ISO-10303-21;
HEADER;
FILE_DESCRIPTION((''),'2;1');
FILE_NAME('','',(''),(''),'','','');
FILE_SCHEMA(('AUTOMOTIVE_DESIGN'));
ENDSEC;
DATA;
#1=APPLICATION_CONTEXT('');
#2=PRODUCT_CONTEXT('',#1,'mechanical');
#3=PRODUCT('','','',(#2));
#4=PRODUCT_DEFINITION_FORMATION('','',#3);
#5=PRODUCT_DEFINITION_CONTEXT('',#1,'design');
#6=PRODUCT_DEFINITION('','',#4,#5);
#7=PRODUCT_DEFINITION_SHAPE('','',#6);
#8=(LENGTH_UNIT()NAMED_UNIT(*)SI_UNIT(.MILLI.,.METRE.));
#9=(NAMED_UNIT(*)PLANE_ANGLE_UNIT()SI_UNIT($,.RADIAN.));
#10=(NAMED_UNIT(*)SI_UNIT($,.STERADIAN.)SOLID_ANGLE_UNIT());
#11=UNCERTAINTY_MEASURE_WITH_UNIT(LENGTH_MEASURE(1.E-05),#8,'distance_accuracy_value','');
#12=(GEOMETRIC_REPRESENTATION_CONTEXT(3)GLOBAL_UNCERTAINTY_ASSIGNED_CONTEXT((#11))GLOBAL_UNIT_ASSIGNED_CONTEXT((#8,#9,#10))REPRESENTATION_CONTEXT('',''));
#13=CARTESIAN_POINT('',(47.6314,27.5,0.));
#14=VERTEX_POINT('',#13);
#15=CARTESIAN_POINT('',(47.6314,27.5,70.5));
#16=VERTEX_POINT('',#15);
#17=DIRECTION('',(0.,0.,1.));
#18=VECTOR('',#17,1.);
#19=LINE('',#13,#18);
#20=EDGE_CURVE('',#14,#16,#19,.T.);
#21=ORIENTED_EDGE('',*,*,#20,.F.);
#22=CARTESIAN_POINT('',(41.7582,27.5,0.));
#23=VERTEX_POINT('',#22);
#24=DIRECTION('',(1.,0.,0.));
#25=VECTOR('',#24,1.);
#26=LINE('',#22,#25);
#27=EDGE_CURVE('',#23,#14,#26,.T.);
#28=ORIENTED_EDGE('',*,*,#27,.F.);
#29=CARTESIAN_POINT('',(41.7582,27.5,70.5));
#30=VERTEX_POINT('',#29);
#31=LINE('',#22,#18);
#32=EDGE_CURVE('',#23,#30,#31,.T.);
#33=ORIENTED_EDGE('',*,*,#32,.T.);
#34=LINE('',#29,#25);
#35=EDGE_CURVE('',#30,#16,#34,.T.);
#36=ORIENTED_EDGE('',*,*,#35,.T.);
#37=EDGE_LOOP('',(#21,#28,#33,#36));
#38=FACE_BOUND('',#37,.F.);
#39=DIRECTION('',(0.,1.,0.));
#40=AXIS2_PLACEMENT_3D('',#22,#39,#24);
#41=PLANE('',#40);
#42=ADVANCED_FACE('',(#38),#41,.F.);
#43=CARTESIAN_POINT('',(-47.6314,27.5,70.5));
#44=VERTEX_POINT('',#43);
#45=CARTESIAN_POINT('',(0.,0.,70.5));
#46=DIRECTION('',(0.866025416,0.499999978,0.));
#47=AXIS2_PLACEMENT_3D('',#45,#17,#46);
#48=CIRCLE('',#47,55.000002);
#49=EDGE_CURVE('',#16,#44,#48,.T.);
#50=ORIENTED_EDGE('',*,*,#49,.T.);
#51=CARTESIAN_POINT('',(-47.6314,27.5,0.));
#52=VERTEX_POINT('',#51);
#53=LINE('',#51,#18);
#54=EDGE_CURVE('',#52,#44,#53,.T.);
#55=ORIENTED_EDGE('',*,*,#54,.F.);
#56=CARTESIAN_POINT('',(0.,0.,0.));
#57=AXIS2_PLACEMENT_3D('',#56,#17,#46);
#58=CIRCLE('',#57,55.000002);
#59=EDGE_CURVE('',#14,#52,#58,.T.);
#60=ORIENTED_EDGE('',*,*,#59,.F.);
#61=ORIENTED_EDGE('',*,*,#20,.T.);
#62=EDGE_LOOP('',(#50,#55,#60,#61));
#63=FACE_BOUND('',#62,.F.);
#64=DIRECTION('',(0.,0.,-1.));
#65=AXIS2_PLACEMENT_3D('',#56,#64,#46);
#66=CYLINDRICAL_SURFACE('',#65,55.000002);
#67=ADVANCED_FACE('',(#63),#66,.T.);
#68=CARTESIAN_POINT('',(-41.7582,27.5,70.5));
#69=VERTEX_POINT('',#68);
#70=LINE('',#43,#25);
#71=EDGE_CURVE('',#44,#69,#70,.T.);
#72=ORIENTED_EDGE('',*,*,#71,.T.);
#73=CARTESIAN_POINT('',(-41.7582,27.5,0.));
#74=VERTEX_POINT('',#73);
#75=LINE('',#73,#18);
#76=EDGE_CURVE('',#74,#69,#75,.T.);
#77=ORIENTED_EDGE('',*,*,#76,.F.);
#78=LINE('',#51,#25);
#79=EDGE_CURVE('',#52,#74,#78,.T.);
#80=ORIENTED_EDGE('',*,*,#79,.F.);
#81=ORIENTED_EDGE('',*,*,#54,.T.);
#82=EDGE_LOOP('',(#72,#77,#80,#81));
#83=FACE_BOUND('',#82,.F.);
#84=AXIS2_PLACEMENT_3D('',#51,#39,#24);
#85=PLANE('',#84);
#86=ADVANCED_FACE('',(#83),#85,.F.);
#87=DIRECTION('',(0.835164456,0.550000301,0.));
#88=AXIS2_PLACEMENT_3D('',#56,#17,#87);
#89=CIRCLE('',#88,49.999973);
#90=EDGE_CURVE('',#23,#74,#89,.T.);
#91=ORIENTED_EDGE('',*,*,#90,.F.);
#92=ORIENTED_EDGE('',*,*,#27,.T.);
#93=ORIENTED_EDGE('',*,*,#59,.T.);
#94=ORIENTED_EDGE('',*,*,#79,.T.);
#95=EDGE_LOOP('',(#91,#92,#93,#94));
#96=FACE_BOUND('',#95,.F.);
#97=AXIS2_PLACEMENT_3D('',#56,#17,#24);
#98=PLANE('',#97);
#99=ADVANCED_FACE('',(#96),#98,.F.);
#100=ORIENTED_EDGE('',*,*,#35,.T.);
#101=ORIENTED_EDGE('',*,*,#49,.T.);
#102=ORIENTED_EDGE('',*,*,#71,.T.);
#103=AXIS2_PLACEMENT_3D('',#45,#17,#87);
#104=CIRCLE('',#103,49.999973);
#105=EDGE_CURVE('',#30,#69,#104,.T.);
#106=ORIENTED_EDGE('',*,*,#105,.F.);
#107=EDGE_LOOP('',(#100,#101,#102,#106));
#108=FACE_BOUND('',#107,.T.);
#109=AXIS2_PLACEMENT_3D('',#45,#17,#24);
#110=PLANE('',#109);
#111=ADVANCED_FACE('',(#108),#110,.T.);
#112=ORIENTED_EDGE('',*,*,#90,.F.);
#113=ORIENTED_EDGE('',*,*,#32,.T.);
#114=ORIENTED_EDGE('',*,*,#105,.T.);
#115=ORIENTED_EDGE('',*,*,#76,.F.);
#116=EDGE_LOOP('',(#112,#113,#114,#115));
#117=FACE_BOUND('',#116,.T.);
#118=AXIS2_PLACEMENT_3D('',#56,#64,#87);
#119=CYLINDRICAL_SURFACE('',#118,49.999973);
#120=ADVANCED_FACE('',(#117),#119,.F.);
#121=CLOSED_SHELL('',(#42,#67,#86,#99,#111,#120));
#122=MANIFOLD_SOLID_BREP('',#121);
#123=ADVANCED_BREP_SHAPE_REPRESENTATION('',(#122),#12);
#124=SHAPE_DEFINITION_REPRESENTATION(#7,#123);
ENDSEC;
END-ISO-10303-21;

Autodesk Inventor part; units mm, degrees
ref_plane "YZ Plane" through (0, 0, 0) normal (1, 0, 0) x (0, 1, 0)
ref_plane "XZ Plane" through (0, 0, 0) normal (0, 1, 0) x (-1, 0, 0)
ref_plane "XY Plane" through (0, 0, 0) normal (0, 0, 1) x (1, 0, 0)
sketch "スケッチ1" plane through (0, 0, 0) normal (0, 0, 1) x (1, 0, 0)
  line L0 (0, 0) -> (47.6314, 27.5) construction
  line L1 (50, 0) -> (55, 0) construction
  line L2 (0, 0) -> (-47.6314, 27.5) construction
  line L3 (0, 0) -> (55, 0) construction
  line L4 (-47.6314, 27.5) -> (-41.7582, 27.5)
  line L5 (41.7582, 27.5) -> (47.6314, 27.5)
  line L6 (0, 0) -> (55, 0) construction
  line L7 (0, 0) -> (55, 0) construction
  arc A0 (47.6314, 27.5) -> (-47.6314, 27.5) centre (0, 0) ccw
  arc A1 (41.7582, 27.5) -> (-41.7582, 27.5) centre (0, 0) ccw
  arc A2 (47.6314, 27.5) -> (-47.6314, 27.5) centre (0, 0) ccw construction
  dimension "d0" = 30
  dimension "d1" = 150
extrude "押し出し1" add sketch "スケッチ1" along normal blind 70.5
properties part number "outsideCover2" material "ガラス"
